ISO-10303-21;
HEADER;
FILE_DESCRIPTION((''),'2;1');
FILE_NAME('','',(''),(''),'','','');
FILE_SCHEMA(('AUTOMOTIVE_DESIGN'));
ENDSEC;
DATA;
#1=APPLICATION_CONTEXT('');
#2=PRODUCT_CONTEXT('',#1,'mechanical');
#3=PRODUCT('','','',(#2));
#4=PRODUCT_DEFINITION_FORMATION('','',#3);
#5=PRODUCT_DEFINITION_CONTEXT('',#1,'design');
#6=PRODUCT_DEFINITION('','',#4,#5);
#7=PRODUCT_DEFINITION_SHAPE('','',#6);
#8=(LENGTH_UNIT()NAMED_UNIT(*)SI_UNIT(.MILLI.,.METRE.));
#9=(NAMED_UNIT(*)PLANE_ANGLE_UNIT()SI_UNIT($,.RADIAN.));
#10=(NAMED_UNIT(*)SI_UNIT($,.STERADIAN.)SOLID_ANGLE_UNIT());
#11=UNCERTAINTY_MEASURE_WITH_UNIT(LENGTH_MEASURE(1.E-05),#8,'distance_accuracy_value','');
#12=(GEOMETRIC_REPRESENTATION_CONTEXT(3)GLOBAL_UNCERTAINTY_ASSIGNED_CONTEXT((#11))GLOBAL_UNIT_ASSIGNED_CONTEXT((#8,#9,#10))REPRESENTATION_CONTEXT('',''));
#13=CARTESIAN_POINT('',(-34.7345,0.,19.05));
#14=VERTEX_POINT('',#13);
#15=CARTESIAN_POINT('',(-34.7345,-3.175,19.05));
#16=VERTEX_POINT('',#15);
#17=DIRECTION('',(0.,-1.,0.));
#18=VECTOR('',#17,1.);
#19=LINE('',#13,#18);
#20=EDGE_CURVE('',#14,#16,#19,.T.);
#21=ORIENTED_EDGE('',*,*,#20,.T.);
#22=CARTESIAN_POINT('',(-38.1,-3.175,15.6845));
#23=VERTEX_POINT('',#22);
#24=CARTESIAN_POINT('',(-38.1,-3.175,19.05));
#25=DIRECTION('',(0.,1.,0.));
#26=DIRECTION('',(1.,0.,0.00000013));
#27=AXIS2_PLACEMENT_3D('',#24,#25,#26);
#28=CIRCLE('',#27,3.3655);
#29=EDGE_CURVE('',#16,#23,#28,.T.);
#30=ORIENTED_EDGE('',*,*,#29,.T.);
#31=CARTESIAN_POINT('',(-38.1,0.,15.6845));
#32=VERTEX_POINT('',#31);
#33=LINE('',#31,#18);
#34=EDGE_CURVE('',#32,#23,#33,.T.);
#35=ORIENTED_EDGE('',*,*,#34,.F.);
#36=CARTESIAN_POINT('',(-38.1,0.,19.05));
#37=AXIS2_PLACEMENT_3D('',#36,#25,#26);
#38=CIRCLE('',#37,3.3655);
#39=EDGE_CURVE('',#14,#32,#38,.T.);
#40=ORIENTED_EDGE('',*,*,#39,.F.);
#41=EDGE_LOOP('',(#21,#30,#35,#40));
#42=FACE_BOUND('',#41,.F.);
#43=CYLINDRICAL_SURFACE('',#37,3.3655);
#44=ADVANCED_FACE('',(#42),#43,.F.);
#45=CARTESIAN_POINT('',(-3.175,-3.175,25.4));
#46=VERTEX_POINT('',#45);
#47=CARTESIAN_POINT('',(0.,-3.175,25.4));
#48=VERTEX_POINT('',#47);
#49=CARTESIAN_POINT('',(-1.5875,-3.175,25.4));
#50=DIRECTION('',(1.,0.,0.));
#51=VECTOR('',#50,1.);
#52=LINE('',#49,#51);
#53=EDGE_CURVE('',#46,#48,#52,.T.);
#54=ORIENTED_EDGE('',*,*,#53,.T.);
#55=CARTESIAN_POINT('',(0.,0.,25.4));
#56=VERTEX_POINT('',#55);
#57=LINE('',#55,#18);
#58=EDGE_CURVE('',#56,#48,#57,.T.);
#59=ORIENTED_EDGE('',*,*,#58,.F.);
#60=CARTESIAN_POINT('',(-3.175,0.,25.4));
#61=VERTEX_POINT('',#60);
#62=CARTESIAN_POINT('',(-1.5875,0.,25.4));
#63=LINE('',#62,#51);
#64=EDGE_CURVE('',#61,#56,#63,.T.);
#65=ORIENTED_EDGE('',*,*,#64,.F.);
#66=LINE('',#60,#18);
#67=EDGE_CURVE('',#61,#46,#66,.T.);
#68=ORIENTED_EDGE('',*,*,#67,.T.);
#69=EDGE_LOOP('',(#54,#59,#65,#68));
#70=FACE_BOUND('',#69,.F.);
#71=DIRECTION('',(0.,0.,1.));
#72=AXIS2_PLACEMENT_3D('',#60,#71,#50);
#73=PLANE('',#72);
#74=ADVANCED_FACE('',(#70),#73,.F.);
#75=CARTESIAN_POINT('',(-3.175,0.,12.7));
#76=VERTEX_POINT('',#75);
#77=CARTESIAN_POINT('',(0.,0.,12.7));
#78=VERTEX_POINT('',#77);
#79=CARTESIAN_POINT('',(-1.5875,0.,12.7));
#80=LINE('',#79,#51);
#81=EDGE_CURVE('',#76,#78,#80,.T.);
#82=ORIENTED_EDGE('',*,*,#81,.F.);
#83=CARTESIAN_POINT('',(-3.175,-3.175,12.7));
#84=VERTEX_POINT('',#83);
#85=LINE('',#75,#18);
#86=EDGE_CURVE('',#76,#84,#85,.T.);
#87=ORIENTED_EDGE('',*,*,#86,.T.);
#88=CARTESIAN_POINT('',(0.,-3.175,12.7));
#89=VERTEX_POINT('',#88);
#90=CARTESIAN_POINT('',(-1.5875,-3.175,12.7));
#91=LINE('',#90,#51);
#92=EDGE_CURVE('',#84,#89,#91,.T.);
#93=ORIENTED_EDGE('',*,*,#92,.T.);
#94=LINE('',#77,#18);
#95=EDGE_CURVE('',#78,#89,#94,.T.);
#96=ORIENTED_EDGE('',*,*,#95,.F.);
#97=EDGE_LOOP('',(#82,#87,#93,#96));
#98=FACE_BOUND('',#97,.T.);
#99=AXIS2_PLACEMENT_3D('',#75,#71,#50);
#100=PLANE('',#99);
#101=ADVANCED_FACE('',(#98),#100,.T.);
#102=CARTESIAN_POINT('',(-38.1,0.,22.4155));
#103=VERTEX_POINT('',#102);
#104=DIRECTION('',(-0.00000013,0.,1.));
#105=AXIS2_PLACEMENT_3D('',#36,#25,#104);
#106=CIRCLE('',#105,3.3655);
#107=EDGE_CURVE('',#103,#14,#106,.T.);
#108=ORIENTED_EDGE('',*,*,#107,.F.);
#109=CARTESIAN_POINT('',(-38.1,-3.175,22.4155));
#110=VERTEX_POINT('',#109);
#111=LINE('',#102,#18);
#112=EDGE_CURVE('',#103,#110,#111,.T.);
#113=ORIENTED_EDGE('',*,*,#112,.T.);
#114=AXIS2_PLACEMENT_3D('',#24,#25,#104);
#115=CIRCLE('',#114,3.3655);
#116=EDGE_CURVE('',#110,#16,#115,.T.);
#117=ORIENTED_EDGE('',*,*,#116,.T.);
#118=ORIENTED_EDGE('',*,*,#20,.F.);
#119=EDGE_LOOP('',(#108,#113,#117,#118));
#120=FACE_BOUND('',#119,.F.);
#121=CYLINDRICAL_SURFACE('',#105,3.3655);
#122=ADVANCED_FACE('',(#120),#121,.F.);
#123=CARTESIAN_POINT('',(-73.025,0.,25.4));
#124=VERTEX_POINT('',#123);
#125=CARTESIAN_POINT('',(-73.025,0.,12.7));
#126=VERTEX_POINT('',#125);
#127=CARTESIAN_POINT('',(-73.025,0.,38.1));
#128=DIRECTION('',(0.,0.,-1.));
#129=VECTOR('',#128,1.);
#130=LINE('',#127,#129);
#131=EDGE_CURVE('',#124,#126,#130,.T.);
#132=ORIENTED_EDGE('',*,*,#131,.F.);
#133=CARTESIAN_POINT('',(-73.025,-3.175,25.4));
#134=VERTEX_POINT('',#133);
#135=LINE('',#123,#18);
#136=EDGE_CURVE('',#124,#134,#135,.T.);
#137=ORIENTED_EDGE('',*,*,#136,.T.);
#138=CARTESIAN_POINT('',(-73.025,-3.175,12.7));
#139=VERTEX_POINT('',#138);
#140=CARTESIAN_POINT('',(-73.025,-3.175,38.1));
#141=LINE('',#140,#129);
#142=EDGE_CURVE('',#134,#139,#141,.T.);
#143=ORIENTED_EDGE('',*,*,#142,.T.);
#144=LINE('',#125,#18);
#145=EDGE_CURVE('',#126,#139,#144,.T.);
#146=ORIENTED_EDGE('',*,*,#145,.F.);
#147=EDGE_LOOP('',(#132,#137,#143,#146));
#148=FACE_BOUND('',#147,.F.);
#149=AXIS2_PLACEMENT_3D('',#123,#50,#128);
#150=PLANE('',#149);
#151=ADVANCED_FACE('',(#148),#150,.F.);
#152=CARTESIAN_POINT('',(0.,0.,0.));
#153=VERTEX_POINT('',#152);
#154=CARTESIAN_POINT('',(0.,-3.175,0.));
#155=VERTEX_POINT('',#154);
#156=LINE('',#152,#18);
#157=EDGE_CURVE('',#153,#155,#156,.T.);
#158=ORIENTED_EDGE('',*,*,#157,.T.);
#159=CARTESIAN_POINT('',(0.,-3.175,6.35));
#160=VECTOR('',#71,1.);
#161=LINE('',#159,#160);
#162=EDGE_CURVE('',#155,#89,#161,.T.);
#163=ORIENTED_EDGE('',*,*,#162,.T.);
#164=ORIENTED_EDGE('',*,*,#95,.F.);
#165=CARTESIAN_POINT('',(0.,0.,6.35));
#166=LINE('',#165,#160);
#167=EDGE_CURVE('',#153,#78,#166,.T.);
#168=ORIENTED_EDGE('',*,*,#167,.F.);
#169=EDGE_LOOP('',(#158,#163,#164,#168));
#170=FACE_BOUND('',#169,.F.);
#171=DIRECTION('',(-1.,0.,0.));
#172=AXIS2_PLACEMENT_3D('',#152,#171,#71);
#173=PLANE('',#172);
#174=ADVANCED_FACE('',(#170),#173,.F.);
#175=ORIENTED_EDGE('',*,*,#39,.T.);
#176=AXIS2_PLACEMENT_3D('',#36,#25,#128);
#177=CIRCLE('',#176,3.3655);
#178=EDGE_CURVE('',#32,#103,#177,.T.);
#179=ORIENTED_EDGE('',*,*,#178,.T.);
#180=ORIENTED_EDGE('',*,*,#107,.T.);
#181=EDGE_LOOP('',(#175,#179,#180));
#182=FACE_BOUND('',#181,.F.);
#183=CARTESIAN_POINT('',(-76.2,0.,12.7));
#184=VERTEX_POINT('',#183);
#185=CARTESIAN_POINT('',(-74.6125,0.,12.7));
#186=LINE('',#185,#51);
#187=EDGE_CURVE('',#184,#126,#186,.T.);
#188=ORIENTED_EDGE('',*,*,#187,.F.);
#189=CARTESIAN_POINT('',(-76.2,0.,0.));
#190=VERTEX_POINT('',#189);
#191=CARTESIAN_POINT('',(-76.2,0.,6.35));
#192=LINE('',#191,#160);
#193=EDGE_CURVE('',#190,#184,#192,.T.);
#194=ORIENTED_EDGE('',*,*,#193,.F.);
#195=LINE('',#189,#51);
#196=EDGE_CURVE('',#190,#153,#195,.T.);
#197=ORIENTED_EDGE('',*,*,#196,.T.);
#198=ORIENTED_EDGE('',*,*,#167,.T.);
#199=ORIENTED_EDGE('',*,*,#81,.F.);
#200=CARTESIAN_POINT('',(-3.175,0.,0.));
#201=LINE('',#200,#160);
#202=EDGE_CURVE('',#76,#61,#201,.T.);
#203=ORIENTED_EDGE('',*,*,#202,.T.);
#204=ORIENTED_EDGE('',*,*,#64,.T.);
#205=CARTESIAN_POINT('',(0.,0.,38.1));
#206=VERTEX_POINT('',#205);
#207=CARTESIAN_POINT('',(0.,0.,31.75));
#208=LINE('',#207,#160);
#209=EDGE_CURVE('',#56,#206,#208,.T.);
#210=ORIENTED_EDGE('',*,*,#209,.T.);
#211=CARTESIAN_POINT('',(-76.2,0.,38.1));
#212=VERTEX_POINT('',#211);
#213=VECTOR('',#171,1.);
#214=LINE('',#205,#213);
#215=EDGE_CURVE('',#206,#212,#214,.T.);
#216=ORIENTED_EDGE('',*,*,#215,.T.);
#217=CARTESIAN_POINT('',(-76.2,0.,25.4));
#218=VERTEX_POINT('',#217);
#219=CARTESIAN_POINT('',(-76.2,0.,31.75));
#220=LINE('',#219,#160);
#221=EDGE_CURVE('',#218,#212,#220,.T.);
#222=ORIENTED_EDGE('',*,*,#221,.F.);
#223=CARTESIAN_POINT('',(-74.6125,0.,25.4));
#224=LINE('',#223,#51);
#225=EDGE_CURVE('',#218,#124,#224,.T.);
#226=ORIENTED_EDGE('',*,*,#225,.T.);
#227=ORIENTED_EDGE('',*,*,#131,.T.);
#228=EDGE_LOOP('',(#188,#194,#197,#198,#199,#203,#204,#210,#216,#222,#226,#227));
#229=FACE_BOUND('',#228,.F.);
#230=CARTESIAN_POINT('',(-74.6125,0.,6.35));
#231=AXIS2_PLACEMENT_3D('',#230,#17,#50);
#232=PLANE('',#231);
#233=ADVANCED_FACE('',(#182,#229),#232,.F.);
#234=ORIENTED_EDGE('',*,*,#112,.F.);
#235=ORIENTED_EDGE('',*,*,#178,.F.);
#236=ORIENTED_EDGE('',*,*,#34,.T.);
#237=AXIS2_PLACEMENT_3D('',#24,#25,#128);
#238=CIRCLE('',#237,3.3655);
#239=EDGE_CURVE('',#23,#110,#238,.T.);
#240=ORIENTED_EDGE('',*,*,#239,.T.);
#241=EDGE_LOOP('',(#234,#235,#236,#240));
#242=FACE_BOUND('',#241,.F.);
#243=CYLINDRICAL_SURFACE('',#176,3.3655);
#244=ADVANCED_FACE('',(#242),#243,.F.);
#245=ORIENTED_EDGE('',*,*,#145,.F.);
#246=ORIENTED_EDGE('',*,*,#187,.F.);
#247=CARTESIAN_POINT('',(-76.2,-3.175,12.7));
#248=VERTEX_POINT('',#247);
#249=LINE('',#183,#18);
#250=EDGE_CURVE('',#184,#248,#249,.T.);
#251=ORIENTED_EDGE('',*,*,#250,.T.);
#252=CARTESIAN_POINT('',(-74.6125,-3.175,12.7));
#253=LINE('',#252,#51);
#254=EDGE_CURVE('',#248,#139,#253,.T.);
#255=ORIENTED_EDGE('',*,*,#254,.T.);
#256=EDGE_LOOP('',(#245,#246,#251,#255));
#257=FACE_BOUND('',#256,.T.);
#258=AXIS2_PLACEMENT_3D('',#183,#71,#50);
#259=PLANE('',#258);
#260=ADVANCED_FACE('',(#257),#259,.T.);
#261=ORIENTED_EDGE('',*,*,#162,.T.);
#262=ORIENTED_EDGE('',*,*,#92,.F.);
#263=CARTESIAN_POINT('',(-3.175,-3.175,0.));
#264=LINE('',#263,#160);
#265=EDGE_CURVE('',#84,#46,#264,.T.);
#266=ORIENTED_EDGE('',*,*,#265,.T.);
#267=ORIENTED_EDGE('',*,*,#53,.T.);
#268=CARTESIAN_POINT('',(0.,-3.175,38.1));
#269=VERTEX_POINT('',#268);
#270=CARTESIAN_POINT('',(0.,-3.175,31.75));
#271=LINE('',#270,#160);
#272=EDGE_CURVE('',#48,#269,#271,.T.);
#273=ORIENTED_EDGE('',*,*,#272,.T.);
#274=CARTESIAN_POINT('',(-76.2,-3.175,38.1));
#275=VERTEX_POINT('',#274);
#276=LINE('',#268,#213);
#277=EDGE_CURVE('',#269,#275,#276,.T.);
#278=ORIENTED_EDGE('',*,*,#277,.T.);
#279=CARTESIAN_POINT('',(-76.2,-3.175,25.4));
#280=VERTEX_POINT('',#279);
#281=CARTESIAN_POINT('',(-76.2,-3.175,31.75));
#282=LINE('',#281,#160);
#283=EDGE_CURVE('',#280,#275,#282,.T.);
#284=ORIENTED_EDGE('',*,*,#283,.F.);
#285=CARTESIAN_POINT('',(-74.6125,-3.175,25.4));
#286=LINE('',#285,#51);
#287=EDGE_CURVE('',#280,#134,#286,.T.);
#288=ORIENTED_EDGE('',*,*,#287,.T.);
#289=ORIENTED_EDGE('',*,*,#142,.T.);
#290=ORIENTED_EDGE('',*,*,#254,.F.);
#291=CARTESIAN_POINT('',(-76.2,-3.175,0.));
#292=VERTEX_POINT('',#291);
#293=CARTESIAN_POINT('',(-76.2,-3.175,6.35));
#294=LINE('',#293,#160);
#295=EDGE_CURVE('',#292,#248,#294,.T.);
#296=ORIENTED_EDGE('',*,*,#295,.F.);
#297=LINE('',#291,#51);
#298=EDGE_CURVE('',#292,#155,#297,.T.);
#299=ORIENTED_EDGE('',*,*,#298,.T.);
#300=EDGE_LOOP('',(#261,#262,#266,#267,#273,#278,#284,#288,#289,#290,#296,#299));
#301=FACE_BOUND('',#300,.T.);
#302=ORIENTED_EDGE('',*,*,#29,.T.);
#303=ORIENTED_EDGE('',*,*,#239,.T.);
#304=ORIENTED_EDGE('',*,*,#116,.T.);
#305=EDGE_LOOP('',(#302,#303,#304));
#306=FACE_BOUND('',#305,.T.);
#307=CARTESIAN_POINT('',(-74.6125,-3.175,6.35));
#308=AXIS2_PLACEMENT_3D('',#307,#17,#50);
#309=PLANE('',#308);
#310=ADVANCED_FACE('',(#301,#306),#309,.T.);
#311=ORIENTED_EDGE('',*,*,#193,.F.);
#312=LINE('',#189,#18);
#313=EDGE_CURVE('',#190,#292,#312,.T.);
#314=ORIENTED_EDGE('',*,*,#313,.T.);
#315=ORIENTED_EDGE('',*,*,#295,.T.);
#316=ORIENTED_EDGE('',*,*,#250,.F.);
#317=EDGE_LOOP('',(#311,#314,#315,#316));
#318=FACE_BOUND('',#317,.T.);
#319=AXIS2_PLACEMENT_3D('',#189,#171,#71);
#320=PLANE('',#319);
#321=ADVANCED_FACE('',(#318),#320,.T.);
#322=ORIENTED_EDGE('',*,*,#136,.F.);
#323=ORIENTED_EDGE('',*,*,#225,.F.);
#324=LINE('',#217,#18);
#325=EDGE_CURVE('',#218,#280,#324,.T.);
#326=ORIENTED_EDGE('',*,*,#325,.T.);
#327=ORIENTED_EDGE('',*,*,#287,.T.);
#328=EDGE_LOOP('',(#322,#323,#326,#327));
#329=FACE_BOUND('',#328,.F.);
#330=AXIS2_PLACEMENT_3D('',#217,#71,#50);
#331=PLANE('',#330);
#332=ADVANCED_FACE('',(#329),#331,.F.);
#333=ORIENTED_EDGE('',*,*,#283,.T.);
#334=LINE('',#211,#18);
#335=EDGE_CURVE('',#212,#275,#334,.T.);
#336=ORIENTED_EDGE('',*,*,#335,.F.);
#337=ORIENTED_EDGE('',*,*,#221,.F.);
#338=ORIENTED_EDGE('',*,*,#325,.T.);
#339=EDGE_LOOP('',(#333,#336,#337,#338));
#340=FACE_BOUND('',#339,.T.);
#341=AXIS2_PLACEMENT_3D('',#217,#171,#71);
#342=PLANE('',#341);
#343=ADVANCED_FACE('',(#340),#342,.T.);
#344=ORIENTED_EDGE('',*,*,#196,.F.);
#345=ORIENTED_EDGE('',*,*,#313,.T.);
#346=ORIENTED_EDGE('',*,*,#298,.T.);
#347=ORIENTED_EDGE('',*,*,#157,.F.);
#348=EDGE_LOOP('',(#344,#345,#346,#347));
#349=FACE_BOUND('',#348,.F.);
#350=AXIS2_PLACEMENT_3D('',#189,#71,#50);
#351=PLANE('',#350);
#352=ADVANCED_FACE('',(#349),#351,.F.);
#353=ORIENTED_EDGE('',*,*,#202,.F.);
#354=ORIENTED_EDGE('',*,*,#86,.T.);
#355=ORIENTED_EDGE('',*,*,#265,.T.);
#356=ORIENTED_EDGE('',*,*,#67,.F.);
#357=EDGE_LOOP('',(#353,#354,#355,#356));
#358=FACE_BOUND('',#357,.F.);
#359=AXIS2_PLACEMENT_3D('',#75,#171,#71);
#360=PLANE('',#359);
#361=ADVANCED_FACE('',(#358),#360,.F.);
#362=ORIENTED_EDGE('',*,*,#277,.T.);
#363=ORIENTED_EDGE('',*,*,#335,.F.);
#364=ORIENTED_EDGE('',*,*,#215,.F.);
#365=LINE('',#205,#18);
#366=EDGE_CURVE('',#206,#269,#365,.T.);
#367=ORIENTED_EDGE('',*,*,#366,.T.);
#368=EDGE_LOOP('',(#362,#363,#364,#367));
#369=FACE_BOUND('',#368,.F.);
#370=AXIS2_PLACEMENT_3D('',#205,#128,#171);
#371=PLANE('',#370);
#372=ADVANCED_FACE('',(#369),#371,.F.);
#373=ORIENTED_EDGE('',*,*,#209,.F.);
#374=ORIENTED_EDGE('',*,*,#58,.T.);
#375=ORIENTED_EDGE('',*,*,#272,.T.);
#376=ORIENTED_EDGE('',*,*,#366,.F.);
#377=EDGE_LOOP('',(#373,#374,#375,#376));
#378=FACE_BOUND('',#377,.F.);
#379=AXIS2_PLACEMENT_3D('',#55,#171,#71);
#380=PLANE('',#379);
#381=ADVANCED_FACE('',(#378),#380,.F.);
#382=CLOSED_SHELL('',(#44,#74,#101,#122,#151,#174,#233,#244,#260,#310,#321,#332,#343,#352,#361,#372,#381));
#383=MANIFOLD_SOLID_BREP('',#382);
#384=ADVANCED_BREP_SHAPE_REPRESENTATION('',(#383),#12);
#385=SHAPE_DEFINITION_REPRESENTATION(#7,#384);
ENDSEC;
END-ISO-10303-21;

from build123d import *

# Parameters (mm, degrees)
F0_W     = 3.175
F0_H     = 12.7
F1_DEPTH = 3.175


with BuildPart() as f1:
    # F0 (on Front) → F1 (new body)
    with BuildSketch(Plane.XZ):
        with Locations((-74.6125, 6.35)):
            Rectangle(F0_W, F0_H)
        with BuildLine():
            Line((-73.025, 0), (-38.1, 0))
            Line((-38.1, 0), (-38.1, 15.6845))
            ThreePointArc((-38.1, 15.6845), (-41.4655, 19.05), (-38.1, 22.4155))
            Line((-38.1, 22.4155), (-38.1, 38.1))
            Line((-38.1, 38.1), (-73.025, 38.1))
            Line((-73.025, 38.1), (-73.025, 25.4))
            Line((-73.025, 25.4), (-73.025, 12.7))
            Line((-73.025, 12.7), (-73.025, 0))
        make_face()
        with Locations((-74.6125, 31.75)):
            Rectangle(F0_W, F0_H)
        with BuildLine():
            Line((-38.1, 0), (-3.175, 0))
            Line((-3.175, 0), (-3.175, 12.7))
            Line((-3.175, 12.7), (-3.175, 25.4))
            Line((-3.175, 25.4), (-3.175, 38.1))
            Line((-3.175, 38.1), (-38.1, 38.1))
            Line((-38.1, 38.1), (-38.1, 22.4155))
            ThreePointArc((-38.1, 22.4155), (-35.720232, 21.429768), (-34.7345, 19.05))
            ThreePointArc((-34.7345, 19.05), (-35.720232, 16.670232), (-38.1, 15.6845))
            Line((-38.1, 15.6845), (-38.1, 0))
        make_face()
        with Locations((-1.5875, 6.35)):
            Rectangle(F0_W, F0_H)
        with Locations((-1.5875, 31.75)):
            Rectangle(F0_W, F0_H)
    extrude(amount=F1_DEPTH)


solid = f1.part
